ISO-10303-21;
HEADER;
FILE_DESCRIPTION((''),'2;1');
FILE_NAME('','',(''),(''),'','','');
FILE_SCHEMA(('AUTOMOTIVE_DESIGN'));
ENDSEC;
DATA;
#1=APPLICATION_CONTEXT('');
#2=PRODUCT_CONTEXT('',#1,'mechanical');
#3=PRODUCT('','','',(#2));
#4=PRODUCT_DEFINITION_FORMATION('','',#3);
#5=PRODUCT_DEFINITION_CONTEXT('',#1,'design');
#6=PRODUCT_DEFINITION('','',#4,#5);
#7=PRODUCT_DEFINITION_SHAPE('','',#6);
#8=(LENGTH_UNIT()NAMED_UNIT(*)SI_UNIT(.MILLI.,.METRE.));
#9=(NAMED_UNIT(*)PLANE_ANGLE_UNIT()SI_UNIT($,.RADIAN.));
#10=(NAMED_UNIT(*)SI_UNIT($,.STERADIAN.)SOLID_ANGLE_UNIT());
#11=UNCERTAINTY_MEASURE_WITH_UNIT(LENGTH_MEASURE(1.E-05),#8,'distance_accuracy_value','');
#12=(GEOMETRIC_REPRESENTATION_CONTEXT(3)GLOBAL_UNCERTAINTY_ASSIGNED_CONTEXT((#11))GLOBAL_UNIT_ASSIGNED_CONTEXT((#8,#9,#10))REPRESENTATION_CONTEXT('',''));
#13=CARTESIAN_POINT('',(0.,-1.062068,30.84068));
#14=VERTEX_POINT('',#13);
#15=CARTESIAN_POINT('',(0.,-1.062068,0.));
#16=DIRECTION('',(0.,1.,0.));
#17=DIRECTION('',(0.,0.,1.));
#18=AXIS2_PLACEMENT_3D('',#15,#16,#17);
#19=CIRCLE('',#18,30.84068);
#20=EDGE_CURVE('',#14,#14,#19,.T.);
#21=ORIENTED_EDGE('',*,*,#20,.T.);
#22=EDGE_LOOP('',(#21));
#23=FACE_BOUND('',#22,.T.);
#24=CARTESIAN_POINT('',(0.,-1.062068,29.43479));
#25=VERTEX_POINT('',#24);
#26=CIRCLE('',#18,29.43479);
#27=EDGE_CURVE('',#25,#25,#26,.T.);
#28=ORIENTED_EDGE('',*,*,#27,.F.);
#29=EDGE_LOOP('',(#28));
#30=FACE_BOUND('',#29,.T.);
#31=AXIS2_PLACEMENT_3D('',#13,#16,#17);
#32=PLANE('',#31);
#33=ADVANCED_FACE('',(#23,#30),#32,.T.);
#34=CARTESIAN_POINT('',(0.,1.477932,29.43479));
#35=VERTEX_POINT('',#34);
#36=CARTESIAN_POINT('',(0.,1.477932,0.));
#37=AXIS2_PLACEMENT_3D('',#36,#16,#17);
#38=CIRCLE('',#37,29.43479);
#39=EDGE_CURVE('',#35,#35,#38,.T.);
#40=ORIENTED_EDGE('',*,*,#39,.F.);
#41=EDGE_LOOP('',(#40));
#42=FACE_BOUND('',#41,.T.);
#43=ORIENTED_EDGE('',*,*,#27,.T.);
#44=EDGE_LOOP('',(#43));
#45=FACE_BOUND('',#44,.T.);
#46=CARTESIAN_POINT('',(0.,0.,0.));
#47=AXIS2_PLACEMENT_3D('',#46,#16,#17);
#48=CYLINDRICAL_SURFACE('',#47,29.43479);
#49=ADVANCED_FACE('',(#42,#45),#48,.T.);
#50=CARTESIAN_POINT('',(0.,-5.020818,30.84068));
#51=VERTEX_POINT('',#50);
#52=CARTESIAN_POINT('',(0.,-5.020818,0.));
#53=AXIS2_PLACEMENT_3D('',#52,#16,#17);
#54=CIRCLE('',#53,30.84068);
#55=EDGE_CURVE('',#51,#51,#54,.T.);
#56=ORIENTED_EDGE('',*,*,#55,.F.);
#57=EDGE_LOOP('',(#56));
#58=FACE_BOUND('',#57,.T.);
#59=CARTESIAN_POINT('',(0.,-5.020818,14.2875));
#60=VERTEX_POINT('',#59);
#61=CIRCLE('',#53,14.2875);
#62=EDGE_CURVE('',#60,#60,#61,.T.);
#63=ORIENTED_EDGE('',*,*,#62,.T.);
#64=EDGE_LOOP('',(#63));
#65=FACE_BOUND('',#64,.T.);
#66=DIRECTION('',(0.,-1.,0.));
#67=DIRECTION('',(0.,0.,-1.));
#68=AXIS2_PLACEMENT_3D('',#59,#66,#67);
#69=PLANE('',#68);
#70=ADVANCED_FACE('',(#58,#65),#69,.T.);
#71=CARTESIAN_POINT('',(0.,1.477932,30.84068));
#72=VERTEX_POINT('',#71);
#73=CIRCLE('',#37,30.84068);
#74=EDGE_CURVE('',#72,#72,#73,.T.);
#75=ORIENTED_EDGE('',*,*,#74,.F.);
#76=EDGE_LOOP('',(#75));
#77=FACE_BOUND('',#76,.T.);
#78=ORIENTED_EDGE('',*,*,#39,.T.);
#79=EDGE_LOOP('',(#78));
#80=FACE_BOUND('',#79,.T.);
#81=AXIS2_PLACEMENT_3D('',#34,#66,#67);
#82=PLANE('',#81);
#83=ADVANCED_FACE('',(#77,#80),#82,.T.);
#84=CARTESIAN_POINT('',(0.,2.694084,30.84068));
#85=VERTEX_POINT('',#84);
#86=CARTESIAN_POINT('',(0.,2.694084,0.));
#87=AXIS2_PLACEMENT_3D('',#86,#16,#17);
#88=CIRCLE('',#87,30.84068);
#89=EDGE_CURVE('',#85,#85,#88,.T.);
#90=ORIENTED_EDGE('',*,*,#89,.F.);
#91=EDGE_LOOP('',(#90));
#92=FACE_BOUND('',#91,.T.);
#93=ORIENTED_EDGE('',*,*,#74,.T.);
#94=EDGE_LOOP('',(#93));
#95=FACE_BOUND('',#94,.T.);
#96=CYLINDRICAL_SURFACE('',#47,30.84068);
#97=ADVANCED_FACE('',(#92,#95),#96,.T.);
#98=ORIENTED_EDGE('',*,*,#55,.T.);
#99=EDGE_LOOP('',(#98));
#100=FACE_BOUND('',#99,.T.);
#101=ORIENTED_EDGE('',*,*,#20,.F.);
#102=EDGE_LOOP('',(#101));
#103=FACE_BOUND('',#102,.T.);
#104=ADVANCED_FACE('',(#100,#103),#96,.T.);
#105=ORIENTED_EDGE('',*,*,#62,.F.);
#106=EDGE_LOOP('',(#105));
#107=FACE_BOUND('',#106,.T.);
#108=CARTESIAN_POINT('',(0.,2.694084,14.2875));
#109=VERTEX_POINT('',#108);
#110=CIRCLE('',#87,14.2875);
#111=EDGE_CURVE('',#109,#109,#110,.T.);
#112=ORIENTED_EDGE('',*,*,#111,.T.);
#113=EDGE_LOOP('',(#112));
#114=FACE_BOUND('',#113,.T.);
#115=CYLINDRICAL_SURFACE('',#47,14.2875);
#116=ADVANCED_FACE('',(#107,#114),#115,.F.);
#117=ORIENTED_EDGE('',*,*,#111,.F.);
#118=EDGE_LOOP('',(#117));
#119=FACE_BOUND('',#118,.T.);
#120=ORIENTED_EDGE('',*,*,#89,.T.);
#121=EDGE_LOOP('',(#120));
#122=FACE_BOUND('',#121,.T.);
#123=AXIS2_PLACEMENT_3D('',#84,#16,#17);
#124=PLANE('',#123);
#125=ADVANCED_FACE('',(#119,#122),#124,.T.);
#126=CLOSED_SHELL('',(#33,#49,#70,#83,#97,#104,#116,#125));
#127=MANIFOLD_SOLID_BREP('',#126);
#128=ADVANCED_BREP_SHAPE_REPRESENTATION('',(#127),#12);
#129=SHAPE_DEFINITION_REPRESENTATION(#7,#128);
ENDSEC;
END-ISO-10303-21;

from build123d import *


with BuildPart() as part:
    # Sketch1 → Revolve1 (revolve)
    with BuildSketch(Plane(origin=(0, 0, 0), x_dir=(0, 0, -1), z_dir=(1, 0, 0))):
        Polygon((-14.2875, 2.694084), (-14.2875, -5.020818), (-30.84068, -5.020818), (-30.84068, -1.062068), (-29.43479, -1.062068), (-29.43479, 1.477932), (-30.84068, 1.477932), (-30.84068, 2.694084), align=None)
    revolve(axis=Axis((0, 0, 0), (0, -1, 0)))


solid = part.part
